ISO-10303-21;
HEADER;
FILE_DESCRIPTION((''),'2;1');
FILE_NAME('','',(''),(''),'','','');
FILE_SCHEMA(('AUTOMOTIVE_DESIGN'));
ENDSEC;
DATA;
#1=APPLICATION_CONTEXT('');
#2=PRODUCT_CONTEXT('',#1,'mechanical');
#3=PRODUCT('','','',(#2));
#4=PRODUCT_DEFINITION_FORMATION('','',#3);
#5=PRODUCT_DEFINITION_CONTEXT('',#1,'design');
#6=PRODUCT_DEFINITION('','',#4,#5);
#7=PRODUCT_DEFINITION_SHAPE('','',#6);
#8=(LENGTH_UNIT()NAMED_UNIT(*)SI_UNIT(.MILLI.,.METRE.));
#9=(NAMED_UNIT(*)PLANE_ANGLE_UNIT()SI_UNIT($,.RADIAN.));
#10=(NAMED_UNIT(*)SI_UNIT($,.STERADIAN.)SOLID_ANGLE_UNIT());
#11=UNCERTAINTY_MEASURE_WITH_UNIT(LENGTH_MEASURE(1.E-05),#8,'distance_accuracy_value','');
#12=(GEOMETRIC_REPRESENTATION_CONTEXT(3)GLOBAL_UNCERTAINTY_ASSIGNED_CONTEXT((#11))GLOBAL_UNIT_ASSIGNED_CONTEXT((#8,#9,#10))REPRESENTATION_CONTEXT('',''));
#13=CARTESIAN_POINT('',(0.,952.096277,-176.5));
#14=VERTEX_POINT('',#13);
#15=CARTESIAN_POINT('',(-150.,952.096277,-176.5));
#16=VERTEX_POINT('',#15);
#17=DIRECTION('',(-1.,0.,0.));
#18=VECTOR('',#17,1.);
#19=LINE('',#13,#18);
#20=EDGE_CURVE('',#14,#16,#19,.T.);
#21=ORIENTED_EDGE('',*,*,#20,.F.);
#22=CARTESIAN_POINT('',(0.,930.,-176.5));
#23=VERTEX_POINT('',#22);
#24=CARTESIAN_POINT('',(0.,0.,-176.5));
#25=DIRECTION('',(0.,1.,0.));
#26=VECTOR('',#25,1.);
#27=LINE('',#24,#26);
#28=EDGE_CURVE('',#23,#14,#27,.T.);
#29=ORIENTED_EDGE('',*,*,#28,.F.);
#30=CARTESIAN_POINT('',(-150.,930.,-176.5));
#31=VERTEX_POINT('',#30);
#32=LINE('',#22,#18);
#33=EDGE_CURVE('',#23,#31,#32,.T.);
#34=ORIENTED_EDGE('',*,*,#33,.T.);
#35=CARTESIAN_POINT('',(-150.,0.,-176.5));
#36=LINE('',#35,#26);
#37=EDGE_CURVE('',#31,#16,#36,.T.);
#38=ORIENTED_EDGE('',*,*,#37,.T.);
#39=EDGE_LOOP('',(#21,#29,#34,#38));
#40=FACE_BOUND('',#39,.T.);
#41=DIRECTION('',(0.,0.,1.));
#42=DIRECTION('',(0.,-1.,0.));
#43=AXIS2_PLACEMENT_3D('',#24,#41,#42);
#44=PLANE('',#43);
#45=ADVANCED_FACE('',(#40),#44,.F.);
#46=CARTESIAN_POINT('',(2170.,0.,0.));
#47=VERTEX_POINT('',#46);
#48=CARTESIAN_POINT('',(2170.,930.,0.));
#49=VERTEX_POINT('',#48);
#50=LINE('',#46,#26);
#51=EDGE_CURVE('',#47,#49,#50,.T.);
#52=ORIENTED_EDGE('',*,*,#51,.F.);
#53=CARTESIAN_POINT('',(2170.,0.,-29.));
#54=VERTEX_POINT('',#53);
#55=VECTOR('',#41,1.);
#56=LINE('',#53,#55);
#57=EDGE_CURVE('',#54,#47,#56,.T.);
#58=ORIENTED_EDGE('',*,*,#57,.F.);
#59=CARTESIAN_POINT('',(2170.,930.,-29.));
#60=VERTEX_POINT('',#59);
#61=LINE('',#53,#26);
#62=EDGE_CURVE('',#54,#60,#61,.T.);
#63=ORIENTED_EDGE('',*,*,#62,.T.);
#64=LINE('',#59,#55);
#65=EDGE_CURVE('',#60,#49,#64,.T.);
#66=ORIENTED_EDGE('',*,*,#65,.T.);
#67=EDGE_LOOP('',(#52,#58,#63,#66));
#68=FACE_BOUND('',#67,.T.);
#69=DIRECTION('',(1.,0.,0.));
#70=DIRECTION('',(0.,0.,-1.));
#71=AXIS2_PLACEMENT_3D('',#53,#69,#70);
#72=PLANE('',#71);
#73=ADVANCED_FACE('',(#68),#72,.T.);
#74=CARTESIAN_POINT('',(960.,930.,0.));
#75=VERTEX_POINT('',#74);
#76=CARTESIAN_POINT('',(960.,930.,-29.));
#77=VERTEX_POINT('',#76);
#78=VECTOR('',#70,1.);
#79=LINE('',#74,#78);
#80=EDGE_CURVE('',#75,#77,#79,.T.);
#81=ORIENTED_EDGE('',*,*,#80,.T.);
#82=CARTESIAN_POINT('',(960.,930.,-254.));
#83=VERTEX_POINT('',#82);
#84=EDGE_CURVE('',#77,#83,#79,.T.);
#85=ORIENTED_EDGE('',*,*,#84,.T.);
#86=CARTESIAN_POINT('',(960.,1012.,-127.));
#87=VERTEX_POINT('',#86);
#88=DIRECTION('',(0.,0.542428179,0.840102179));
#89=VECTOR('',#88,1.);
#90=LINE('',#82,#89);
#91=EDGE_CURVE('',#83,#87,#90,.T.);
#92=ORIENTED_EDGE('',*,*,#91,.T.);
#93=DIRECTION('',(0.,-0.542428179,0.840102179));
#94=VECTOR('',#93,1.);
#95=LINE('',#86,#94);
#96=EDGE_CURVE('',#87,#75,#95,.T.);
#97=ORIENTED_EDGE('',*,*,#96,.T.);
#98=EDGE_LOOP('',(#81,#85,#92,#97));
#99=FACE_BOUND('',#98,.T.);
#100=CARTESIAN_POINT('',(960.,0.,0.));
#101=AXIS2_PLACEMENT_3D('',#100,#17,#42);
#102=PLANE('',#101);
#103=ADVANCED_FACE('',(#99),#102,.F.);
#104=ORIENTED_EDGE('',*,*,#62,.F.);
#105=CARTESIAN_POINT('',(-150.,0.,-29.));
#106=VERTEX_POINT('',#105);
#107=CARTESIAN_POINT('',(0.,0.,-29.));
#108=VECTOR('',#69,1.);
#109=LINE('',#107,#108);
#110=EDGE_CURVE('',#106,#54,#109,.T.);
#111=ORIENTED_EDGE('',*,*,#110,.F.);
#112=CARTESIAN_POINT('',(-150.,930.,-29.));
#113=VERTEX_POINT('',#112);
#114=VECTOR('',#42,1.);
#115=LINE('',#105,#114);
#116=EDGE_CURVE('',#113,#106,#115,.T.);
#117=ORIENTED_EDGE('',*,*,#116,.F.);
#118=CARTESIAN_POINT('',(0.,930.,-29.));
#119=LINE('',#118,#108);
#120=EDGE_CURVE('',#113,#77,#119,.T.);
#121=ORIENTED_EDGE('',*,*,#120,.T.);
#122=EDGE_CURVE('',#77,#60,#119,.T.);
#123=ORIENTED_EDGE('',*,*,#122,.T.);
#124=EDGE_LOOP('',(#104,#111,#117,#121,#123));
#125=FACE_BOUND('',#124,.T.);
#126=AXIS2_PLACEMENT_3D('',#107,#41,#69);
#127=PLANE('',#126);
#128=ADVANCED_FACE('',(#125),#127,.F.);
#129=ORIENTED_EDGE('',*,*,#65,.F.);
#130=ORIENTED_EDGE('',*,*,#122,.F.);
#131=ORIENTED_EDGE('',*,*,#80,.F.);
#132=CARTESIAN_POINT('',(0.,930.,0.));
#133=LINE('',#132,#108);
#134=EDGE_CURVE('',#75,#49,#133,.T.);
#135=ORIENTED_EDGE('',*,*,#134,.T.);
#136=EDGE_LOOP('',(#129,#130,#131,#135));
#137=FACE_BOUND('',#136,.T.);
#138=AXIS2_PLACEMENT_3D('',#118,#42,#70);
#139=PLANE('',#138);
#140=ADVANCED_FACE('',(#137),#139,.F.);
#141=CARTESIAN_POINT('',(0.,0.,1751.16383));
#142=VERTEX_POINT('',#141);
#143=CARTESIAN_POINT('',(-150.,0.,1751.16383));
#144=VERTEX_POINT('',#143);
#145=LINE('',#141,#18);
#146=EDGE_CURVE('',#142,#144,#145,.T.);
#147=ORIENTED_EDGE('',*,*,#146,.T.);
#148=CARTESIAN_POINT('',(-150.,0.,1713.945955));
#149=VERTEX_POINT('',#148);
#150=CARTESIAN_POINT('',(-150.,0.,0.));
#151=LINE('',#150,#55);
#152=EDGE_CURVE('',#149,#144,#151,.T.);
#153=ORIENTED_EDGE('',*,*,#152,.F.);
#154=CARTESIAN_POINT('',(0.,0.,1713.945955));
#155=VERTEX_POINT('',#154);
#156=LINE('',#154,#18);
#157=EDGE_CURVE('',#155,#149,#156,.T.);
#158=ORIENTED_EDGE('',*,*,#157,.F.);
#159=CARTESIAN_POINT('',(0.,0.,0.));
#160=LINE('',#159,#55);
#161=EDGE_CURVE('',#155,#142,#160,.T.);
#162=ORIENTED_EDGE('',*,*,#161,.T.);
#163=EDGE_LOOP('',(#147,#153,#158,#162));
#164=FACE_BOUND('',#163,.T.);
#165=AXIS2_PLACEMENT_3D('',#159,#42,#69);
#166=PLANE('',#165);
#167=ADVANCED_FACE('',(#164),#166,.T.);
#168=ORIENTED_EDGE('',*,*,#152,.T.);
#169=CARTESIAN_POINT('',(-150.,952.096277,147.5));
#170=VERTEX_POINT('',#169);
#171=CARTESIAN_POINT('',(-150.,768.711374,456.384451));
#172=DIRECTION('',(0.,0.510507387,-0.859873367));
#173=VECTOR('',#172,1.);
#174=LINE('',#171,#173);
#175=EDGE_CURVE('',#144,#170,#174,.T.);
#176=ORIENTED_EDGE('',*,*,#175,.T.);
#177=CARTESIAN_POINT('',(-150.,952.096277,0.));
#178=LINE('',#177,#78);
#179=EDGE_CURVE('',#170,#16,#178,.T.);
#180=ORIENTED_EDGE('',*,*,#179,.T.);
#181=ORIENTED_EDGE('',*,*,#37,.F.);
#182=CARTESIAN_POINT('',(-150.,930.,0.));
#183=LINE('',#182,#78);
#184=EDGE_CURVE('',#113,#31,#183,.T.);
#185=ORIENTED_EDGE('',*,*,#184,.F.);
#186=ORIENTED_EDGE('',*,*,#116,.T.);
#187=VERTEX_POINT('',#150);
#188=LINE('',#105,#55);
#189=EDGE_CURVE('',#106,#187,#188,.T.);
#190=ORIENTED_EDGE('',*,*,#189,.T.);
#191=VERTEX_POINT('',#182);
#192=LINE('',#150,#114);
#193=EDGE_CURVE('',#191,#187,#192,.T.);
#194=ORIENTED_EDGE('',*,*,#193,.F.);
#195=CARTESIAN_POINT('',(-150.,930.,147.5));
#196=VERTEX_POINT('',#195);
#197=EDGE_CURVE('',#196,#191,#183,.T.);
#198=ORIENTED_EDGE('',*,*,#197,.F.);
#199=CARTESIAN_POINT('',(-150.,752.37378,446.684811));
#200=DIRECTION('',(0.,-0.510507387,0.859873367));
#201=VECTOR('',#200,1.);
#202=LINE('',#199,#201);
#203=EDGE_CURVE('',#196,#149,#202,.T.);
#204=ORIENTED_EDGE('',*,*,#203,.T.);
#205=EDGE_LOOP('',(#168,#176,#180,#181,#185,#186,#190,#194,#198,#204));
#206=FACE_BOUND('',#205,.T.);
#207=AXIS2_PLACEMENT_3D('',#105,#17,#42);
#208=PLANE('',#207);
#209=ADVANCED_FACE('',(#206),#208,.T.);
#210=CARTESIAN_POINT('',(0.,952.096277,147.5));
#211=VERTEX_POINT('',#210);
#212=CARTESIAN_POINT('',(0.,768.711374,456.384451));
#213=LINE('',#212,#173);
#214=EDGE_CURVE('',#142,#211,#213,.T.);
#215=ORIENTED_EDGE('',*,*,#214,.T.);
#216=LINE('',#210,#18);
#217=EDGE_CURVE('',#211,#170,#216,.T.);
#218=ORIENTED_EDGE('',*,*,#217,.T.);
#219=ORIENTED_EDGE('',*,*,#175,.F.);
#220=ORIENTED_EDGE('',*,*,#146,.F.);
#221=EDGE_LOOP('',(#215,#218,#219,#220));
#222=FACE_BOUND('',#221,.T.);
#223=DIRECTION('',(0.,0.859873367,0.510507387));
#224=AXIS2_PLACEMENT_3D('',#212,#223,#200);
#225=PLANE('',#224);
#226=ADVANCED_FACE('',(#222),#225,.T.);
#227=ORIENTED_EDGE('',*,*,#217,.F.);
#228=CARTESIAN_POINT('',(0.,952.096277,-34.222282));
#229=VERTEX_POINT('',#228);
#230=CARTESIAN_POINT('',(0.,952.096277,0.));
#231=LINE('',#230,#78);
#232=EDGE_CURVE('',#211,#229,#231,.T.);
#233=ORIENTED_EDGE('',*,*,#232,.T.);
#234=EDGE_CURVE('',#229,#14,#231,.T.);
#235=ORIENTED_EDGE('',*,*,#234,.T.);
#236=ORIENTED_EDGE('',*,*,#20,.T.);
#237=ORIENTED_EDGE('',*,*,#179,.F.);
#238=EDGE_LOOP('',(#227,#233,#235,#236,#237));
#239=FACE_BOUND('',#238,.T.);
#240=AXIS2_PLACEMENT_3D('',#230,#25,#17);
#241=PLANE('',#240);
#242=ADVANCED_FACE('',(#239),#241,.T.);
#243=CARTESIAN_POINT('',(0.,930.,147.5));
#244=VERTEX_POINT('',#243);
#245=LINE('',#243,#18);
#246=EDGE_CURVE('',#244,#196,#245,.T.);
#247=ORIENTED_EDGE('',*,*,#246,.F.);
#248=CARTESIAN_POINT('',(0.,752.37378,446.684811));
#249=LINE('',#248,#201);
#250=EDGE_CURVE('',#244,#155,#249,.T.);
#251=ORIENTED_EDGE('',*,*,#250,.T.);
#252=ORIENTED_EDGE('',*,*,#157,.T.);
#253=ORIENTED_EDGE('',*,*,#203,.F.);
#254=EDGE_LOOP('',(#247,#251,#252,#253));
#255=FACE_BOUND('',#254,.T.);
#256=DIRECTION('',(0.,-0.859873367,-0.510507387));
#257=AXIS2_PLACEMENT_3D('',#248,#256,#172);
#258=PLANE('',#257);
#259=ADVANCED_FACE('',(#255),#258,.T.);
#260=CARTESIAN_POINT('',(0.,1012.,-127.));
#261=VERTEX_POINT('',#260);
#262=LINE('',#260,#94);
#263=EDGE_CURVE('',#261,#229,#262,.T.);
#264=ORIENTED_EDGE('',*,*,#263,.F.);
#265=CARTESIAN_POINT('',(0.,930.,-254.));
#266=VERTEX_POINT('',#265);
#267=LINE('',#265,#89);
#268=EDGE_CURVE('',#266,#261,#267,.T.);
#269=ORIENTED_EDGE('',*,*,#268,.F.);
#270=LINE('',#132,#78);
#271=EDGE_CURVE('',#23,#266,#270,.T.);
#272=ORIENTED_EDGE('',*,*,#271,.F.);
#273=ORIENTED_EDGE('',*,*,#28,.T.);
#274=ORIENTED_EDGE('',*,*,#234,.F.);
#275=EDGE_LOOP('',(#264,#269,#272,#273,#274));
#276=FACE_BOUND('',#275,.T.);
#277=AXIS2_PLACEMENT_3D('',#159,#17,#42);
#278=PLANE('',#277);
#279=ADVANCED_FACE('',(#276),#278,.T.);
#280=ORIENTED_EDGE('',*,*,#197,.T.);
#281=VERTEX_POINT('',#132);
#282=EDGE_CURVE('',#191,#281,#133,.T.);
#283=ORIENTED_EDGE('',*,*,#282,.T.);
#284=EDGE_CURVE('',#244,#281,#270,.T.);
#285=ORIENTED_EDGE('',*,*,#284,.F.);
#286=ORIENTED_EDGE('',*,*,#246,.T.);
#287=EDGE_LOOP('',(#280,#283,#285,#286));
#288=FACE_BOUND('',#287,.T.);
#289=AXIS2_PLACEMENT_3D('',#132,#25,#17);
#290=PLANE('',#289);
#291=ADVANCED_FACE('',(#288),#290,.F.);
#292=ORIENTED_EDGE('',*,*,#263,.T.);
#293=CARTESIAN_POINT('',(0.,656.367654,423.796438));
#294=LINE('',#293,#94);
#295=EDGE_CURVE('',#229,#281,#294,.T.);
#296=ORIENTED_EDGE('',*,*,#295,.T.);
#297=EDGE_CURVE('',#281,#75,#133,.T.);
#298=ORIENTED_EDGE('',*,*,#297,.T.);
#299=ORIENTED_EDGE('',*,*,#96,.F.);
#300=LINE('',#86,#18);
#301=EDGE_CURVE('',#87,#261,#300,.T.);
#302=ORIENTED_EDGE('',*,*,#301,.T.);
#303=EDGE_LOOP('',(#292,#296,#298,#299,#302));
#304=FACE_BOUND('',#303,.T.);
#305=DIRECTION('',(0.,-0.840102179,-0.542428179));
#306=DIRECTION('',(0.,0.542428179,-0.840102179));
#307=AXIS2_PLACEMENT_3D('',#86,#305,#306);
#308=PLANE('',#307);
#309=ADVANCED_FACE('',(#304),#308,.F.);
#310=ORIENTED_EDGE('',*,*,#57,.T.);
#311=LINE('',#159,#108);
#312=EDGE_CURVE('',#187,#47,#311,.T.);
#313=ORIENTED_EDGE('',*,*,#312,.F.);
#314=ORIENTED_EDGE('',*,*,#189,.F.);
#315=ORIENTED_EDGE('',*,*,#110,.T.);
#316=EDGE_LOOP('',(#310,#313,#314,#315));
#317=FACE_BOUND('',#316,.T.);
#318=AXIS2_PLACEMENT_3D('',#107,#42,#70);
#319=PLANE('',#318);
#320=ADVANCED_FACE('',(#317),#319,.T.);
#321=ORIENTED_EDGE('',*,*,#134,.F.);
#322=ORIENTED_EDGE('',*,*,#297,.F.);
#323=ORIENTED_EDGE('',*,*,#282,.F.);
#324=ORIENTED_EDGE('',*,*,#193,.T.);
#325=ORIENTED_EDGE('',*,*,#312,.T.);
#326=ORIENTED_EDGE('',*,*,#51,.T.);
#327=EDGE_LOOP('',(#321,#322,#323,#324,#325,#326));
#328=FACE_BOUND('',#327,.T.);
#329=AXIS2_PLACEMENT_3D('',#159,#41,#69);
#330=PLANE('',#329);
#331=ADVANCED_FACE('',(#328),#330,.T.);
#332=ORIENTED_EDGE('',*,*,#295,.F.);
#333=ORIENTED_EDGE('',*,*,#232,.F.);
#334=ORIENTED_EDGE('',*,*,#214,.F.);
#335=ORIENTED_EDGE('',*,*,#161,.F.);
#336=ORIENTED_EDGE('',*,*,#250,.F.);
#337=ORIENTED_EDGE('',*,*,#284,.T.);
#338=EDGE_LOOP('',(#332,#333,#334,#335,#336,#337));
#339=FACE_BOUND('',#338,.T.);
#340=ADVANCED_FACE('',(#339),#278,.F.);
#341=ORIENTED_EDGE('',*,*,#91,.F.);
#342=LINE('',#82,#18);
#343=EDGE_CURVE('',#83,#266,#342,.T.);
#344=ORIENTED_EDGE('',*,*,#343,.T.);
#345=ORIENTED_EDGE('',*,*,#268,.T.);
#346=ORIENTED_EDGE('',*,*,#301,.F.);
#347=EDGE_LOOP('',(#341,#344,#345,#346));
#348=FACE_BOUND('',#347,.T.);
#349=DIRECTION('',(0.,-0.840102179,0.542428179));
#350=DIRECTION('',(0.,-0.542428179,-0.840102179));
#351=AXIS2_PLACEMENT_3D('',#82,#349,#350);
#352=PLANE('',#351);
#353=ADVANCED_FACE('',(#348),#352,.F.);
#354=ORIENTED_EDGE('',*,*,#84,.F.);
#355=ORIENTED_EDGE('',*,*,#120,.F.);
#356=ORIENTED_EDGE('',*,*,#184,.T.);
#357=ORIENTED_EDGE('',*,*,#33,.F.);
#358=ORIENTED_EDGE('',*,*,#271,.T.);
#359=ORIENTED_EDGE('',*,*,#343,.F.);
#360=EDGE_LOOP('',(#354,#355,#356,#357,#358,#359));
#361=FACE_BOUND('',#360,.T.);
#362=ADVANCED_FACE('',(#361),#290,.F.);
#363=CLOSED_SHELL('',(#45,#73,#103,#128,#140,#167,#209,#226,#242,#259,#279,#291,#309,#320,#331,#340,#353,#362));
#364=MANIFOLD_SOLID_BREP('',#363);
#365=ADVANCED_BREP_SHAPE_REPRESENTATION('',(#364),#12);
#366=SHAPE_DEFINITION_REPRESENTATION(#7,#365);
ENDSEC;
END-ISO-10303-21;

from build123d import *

# Parameters (mm, degrees)
SKETCH1_W           = 2170
SKETCH1_H           = 930
SKETCH1_W_2         = 150
BOSS_EXTRUDE1_DEPTH = 29
BOSS_EXTRUDE2_DEPTH = 150
BOSS_EXTRUDE3_DEPTH = 960


with BuildPart() as part:
    # Sketch1 → Boss-Extrude1 (new body)
    with BuildSketch(Plane.XY):
        with Locations((1085, 465)):
            Rectangle(SKETCH1_W, SKETCH1_H)
        with Locations((-75, 465)):
            Rectangle(SKETCH1_W_2, SKETCH1_H)
    extrude(amount=-BOSS_EXTRUDE1_DEPTH)

    # Sketch2 → Boss-Extrude2 (add)
    with BuildSketch(Plane.ZY.offset(150)):
        Polygon((0, 930), (147.5, 930), (147.5, 952.096276874), (-176.5, 952.096276874), (-176.5, 930), (-29, 930), align=None)
        Polygon((1751.163829973, 0), (147.5, 952.096276874), (147.5, 930), (1713.945955204, 0), align=None)
    extrude(amount=-BOSS_EXTRUDE2_DEPTH)

    # Sketch3 → Boss-Extrude3 (add)
    with BuildSketch(Plane(origin=(0, 0, 0), x_dir=(0, 0, -1), z_dir=(1, 0, 0))):
        Polygon((0, 930), (254, 930), (127, 1012), align=None)
    extrude(amount=BOSS_EXTRUDE3_DEPTH)


solid = part.part
